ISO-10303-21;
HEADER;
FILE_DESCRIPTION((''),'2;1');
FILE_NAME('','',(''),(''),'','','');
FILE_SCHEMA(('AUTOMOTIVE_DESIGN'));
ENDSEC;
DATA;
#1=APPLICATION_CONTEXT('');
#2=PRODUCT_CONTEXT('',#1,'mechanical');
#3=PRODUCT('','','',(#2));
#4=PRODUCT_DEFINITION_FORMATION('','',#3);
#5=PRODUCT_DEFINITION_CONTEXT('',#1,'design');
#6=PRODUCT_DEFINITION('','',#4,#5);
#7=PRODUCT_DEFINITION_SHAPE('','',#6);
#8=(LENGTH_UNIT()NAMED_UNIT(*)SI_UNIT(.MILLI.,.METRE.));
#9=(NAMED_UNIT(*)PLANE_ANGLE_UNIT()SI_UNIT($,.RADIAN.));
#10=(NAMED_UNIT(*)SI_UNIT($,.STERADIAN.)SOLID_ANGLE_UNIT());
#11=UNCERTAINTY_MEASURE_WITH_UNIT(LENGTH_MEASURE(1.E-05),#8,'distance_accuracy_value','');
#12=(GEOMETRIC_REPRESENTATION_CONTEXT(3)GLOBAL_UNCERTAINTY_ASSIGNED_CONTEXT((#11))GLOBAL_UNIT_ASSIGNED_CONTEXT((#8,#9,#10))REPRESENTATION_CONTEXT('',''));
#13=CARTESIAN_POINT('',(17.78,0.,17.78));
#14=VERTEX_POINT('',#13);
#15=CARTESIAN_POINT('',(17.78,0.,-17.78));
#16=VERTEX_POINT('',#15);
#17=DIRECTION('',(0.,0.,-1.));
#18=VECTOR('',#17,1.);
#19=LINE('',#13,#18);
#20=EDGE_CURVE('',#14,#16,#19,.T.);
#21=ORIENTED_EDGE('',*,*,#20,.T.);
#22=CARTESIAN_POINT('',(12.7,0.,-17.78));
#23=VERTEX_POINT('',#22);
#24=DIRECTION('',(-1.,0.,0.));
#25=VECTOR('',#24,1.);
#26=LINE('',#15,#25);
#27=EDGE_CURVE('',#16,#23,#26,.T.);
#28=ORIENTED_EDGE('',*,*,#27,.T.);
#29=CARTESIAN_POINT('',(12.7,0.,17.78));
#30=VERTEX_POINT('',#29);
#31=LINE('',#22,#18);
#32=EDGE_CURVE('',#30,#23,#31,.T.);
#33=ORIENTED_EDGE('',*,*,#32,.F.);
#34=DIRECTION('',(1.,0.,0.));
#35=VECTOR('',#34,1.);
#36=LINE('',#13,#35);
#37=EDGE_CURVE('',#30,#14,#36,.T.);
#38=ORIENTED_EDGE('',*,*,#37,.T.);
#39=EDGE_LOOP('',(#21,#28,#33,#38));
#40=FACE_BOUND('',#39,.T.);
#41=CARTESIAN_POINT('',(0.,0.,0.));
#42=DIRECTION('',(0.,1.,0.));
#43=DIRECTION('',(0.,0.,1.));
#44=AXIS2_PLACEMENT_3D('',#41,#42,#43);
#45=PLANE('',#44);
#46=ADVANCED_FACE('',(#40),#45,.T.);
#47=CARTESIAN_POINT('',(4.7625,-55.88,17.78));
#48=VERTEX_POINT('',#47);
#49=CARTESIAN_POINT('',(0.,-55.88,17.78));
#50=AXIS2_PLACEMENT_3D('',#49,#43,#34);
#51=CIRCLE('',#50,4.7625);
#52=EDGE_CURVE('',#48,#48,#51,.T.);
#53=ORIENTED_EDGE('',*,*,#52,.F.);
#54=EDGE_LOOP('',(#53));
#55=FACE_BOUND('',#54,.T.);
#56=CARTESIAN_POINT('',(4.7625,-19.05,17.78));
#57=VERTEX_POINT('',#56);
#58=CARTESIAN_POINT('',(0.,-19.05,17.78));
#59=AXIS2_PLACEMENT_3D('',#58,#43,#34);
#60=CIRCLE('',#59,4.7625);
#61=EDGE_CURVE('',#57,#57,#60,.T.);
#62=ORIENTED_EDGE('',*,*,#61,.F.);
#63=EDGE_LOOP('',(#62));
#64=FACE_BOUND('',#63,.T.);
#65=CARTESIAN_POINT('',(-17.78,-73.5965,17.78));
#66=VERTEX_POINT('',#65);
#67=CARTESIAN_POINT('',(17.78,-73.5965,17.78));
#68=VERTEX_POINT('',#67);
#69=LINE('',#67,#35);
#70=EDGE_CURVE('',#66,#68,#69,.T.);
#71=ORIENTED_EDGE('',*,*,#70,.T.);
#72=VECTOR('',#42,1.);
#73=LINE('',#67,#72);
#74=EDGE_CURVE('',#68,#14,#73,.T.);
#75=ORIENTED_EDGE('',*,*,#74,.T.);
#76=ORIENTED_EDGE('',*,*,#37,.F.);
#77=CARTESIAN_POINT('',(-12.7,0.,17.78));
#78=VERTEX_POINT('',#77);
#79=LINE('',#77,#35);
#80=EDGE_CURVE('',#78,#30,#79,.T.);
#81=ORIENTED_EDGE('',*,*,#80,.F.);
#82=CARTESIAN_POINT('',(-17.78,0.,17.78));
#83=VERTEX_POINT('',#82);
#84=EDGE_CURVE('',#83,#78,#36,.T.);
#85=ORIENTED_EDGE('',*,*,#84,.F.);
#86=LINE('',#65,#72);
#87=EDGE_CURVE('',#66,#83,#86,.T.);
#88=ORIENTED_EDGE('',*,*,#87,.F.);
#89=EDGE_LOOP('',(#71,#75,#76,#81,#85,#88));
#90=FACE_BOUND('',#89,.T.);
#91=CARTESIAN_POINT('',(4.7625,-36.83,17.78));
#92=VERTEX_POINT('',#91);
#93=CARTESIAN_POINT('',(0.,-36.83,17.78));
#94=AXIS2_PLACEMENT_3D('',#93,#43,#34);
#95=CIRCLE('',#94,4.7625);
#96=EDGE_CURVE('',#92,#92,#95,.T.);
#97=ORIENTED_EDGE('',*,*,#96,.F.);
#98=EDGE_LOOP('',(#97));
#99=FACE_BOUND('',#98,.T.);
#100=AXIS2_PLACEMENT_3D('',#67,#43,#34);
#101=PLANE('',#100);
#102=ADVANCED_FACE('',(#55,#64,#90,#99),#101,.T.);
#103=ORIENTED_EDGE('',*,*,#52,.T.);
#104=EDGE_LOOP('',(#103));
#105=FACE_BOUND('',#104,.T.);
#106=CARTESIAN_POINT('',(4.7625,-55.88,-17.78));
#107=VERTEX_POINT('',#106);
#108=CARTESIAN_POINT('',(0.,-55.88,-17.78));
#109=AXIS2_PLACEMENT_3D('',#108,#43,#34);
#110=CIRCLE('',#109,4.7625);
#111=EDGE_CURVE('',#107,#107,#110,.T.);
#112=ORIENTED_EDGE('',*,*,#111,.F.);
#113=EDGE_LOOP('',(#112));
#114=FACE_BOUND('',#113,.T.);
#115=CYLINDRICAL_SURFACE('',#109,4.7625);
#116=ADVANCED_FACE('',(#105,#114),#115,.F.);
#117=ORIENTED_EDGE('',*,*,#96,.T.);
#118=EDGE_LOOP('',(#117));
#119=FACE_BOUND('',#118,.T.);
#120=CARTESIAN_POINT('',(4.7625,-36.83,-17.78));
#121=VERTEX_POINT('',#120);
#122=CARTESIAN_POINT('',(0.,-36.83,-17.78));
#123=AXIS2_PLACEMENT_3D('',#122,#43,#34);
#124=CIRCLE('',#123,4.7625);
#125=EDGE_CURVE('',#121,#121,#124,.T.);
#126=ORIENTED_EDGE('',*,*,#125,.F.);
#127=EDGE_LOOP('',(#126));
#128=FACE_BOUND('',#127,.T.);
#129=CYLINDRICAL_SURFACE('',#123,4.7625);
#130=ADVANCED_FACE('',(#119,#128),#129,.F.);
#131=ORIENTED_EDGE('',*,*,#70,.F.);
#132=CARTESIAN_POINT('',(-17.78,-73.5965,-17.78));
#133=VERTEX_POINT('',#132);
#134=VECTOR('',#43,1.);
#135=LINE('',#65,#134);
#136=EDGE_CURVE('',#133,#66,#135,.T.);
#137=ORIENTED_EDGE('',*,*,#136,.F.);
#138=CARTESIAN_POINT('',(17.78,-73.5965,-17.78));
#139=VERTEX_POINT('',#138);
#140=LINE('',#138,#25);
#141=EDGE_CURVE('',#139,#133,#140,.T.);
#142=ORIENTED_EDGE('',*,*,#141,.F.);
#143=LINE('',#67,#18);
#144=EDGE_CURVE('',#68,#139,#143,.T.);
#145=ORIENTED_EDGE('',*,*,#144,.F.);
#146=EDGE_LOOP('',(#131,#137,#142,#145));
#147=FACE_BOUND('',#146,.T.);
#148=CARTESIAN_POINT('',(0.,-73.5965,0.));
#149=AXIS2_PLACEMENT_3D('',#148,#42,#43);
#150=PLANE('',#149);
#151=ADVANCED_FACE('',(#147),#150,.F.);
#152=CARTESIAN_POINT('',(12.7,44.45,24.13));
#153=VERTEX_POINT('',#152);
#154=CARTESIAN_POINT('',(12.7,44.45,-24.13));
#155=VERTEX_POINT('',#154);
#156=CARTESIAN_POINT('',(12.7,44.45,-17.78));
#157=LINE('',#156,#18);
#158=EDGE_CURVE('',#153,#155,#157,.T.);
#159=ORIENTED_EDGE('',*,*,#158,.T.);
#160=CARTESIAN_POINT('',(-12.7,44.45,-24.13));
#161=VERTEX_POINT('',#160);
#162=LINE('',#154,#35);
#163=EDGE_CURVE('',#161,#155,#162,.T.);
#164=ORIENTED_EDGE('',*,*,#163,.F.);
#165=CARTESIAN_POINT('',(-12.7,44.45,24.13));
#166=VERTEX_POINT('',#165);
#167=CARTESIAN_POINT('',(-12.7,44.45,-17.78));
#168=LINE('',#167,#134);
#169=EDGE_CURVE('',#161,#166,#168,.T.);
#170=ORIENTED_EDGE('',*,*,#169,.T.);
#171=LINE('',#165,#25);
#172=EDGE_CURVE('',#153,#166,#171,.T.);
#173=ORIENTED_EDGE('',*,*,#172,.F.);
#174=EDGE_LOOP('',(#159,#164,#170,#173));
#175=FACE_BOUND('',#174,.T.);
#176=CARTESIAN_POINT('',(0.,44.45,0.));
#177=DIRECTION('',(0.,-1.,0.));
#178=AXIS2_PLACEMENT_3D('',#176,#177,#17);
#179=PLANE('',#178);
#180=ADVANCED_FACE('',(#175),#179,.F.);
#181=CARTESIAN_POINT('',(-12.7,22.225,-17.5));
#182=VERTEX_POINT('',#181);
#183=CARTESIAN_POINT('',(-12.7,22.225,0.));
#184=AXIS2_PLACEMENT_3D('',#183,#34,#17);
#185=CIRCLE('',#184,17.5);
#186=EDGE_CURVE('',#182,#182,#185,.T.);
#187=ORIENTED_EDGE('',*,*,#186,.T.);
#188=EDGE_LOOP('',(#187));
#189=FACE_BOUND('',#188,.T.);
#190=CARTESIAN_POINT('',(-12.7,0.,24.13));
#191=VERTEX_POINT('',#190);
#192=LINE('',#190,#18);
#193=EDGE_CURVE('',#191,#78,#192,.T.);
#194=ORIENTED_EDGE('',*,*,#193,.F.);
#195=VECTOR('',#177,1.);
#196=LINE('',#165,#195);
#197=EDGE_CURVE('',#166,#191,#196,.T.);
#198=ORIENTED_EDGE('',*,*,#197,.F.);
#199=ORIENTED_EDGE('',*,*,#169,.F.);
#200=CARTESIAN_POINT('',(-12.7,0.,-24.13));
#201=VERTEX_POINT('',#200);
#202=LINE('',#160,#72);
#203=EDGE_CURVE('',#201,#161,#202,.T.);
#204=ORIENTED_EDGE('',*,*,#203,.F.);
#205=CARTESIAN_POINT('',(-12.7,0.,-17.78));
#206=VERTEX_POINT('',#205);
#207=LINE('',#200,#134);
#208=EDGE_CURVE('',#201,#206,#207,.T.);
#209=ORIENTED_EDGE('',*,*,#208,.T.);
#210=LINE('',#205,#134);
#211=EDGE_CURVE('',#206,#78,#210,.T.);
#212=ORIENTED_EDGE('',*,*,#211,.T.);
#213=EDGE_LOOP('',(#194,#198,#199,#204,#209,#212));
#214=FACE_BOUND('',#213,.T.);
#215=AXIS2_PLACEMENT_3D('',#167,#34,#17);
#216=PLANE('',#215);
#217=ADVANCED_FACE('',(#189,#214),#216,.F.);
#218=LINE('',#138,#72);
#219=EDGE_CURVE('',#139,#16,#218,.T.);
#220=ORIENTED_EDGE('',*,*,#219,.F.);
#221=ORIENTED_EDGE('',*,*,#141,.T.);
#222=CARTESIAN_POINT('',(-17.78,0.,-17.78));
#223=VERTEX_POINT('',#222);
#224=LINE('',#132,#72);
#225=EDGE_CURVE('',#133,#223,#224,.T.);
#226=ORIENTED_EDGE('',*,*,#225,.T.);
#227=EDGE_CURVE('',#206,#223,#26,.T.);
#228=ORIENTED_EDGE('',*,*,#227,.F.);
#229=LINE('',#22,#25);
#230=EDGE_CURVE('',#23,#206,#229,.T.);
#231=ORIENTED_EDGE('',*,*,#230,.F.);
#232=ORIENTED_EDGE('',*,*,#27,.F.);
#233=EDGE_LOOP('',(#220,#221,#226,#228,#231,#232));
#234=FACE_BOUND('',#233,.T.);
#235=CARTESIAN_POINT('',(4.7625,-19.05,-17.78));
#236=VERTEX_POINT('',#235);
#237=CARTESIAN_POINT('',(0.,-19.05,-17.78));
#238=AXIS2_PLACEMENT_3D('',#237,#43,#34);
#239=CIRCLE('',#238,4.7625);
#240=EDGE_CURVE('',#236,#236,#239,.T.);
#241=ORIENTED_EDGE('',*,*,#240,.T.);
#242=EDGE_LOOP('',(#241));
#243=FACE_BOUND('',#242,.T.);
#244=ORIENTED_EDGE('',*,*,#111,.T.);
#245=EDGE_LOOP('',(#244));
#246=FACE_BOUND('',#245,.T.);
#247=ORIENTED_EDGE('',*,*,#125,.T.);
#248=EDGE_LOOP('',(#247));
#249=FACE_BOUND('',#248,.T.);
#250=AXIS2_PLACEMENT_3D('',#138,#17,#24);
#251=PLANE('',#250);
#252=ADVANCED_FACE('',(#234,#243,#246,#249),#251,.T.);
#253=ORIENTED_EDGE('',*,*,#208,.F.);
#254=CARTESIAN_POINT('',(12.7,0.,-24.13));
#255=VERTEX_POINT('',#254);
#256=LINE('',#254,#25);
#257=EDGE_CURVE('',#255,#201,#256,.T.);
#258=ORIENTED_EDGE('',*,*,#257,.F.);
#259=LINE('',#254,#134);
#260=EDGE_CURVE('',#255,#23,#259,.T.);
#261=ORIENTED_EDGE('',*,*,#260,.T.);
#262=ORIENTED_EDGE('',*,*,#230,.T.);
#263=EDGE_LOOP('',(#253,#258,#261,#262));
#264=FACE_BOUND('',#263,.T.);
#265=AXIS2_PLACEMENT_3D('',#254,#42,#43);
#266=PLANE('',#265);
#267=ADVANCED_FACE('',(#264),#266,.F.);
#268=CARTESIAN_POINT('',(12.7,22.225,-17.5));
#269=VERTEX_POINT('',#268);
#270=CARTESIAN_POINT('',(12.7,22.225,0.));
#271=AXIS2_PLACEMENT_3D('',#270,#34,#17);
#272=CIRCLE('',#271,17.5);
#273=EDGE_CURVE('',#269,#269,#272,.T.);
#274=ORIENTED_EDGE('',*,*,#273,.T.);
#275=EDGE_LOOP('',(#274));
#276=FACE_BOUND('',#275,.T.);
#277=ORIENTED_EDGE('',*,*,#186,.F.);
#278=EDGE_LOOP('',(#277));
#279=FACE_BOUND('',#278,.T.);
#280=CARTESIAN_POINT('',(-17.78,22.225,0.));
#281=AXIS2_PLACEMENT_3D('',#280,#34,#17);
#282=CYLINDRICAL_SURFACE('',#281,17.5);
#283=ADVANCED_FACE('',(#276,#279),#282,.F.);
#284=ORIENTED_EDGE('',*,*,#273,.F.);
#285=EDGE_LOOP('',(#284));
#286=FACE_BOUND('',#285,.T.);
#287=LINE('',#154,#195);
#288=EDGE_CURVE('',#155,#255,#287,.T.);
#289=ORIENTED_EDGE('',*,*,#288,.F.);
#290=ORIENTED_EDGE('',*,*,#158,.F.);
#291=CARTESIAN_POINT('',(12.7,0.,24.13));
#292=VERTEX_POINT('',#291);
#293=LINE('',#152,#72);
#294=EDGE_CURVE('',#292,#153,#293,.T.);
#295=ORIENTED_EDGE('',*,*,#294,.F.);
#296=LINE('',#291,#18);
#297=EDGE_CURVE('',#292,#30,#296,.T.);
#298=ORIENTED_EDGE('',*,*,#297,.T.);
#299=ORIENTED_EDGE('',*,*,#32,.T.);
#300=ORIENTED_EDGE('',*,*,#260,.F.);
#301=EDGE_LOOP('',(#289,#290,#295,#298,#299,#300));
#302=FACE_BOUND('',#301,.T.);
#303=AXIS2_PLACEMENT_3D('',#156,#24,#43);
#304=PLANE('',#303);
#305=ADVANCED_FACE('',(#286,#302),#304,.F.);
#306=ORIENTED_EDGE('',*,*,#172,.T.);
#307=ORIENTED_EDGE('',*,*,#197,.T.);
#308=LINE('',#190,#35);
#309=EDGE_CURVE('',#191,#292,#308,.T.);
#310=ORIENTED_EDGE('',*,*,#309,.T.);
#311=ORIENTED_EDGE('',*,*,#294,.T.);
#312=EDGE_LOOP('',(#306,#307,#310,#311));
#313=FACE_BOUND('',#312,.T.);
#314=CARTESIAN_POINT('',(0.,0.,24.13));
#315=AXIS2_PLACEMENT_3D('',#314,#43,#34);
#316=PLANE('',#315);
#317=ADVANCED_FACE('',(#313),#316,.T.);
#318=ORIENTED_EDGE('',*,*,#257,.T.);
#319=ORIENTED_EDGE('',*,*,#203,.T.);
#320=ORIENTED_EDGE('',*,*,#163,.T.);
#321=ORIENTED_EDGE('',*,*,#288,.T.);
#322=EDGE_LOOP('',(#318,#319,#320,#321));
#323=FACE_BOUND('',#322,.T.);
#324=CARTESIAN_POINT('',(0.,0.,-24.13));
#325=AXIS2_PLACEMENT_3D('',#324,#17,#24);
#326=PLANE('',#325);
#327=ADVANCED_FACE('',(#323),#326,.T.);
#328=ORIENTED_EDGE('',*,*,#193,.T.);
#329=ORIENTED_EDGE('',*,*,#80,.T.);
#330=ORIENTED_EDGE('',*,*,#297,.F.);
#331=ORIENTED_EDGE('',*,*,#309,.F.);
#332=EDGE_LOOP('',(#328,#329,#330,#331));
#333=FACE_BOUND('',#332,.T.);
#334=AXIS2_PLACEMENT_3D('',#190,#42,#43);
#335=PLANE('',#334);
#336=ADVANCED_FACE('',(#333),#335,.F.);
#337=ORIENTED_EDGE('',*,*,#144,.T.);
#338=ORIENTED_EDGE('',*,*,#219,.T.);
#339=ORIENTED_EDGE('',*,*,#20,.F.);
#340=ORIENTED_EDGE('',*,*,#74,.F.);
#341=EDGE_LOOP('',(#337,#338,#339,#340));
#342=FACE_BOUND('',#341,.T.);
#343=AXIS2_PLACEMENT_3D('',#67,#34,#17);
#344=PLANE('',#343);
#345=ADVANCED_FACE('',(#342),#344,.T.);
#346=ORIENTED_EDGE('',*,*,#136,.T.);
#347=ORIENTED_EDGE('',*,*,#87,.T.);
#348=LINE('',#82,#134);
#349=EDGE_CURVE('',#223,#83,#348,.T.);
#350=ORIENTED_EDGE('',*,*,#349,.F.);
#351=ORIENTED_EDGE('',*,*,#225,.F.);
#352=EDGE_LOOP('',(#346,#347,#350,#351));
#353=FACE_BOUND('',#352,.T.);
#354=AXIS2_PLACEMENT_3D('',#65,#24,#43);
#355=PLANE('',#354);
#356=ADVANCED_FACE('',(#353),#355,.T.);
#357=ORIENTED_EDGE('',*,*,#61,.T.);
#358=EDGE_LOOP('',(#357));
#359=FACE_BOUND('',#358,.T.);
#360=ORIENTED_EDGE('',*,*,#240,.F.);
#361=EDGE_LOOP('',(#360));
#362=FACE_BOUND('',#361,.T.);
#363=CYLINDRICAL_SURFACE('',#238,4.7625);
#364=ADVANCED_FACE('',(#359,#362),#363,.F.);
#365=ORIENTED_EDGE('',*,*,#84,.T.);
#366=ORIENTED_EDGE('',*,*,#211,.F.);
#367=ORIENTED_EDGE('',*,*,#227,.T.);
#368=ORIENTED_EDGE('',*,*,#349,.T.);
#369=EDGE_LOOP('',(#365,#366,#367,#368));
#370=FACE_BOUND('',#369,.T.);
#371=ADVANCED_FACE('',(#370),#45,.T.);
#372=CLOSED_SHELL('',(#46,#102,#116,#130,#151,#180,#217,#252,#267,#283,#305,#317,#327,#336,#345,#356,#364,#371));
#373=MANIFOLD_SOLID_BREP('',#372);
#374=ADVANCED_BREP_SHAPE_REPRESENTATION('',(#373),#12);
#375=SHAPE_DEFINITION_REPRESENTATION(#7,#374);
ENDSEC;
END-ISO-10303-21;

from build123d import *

# Parameters (mm, degrees)
SKETCH1_W           = 35.56
SKETCH1_H           = 35.56
BOSS_EXTRUDE1_DEPTH = 73.5965
SKETCH2_R           = 4.7625
CUT_EXTRUDE1_DEPTH  = 84.648591215
SKETCH3_W           = 25.4
SKETCH3_H           = 35.56
BOSS_EXTRUDE2_DEPTH = 44.45
SKETCH5_W           = 25.4
SKETCH5_H           = 44.45
BOSS_EXTRUDE3_DEPTH = 6.35
SKETCH6_W           = 25.4
SKETCH6_H           = 44.45
BOSS_EXTRUDE4_DEPTH = 6.35
SKETCH4_R           = 17.500000052
CUT_EXTRUDE2_DEPTH  = 84.232998938


with BuildPart() as part:
    # Sketch1 → Boss-Extrude1 (new body)
    with BuildSketch(Plane(origin=(0, 0, 0), x_dir=(1, 0, 0), z_dir=(0, 1, 0))):
        Rectangle(SKETCH1_W, SKETCH1_H)
    extrude(amount=-BOSS_EXTRUDE1_DEPTH)

    # Sketch2 → Cut-Extrude1 (cut, through all)
    with BuildSketch(Plane.XY.offset(17.78)):
        with Locations((0, -19.05)):
            Circle(SKETCH2_R)
        with Locations((0, -36.83)):
            Circle(SKETCH2_R)
        with Locations((0, -55.88)):
            Circle(SKETCH2_R)
    extrude(amount=-CUT_EXTRUDE1_DEPTH, mode=Mode.SUBTRACT)

    # Sketch3 → Boss-Extrude2 (add)
    with BuildSketch(Plane(origin=(0, 0, 0), x_dir=(1, 0, 0), z_dir=(0, 1, 0))):
        Rectangle(SKETCH3_W, SKETCH3_H)
    extrude(amount=BOSS_EXTRUDE2_DEPTH)

    # Sketch5 → Boss-Extrude3 (add)
    with BuildSketch(Plane.XY.offset(17.78)):
        with Locations((0, 22.225)):
            Rectangle(SKETCH5_W, SKETCH5_H)
    extrude(amount=BOSS_EXTRUDE3_DEPTH)

    # Sketch6 → Boss-Extrude4 (add)
    with BuildSketch(Plane(origin=(0, 0, -17.78), x_dir=(-1, 0, 0), z_dir=(0, 0, -1))):
        with Locations((0, 22.225)):
            Rectangle(SKETCH6_W, SKETCH6_H)
    extrude(amount=BOSS_EXTRUDE4_DEPTH)

    # Sketch4 → Cut-Extrude2 (cut, through all)
    with BuildSketch(Plane(origin=(12.7, 0, 0), x_dir=(0, 0, -1), z_dir=(1, 0, 0))):
        with Locations((0, 22.225)):
            Circle(SKETCH4_R)
    extrude(amount=-CUT_EXTRUDE2_DEPTH, mode=Mode.SUBTRACT)


solid = part.part
